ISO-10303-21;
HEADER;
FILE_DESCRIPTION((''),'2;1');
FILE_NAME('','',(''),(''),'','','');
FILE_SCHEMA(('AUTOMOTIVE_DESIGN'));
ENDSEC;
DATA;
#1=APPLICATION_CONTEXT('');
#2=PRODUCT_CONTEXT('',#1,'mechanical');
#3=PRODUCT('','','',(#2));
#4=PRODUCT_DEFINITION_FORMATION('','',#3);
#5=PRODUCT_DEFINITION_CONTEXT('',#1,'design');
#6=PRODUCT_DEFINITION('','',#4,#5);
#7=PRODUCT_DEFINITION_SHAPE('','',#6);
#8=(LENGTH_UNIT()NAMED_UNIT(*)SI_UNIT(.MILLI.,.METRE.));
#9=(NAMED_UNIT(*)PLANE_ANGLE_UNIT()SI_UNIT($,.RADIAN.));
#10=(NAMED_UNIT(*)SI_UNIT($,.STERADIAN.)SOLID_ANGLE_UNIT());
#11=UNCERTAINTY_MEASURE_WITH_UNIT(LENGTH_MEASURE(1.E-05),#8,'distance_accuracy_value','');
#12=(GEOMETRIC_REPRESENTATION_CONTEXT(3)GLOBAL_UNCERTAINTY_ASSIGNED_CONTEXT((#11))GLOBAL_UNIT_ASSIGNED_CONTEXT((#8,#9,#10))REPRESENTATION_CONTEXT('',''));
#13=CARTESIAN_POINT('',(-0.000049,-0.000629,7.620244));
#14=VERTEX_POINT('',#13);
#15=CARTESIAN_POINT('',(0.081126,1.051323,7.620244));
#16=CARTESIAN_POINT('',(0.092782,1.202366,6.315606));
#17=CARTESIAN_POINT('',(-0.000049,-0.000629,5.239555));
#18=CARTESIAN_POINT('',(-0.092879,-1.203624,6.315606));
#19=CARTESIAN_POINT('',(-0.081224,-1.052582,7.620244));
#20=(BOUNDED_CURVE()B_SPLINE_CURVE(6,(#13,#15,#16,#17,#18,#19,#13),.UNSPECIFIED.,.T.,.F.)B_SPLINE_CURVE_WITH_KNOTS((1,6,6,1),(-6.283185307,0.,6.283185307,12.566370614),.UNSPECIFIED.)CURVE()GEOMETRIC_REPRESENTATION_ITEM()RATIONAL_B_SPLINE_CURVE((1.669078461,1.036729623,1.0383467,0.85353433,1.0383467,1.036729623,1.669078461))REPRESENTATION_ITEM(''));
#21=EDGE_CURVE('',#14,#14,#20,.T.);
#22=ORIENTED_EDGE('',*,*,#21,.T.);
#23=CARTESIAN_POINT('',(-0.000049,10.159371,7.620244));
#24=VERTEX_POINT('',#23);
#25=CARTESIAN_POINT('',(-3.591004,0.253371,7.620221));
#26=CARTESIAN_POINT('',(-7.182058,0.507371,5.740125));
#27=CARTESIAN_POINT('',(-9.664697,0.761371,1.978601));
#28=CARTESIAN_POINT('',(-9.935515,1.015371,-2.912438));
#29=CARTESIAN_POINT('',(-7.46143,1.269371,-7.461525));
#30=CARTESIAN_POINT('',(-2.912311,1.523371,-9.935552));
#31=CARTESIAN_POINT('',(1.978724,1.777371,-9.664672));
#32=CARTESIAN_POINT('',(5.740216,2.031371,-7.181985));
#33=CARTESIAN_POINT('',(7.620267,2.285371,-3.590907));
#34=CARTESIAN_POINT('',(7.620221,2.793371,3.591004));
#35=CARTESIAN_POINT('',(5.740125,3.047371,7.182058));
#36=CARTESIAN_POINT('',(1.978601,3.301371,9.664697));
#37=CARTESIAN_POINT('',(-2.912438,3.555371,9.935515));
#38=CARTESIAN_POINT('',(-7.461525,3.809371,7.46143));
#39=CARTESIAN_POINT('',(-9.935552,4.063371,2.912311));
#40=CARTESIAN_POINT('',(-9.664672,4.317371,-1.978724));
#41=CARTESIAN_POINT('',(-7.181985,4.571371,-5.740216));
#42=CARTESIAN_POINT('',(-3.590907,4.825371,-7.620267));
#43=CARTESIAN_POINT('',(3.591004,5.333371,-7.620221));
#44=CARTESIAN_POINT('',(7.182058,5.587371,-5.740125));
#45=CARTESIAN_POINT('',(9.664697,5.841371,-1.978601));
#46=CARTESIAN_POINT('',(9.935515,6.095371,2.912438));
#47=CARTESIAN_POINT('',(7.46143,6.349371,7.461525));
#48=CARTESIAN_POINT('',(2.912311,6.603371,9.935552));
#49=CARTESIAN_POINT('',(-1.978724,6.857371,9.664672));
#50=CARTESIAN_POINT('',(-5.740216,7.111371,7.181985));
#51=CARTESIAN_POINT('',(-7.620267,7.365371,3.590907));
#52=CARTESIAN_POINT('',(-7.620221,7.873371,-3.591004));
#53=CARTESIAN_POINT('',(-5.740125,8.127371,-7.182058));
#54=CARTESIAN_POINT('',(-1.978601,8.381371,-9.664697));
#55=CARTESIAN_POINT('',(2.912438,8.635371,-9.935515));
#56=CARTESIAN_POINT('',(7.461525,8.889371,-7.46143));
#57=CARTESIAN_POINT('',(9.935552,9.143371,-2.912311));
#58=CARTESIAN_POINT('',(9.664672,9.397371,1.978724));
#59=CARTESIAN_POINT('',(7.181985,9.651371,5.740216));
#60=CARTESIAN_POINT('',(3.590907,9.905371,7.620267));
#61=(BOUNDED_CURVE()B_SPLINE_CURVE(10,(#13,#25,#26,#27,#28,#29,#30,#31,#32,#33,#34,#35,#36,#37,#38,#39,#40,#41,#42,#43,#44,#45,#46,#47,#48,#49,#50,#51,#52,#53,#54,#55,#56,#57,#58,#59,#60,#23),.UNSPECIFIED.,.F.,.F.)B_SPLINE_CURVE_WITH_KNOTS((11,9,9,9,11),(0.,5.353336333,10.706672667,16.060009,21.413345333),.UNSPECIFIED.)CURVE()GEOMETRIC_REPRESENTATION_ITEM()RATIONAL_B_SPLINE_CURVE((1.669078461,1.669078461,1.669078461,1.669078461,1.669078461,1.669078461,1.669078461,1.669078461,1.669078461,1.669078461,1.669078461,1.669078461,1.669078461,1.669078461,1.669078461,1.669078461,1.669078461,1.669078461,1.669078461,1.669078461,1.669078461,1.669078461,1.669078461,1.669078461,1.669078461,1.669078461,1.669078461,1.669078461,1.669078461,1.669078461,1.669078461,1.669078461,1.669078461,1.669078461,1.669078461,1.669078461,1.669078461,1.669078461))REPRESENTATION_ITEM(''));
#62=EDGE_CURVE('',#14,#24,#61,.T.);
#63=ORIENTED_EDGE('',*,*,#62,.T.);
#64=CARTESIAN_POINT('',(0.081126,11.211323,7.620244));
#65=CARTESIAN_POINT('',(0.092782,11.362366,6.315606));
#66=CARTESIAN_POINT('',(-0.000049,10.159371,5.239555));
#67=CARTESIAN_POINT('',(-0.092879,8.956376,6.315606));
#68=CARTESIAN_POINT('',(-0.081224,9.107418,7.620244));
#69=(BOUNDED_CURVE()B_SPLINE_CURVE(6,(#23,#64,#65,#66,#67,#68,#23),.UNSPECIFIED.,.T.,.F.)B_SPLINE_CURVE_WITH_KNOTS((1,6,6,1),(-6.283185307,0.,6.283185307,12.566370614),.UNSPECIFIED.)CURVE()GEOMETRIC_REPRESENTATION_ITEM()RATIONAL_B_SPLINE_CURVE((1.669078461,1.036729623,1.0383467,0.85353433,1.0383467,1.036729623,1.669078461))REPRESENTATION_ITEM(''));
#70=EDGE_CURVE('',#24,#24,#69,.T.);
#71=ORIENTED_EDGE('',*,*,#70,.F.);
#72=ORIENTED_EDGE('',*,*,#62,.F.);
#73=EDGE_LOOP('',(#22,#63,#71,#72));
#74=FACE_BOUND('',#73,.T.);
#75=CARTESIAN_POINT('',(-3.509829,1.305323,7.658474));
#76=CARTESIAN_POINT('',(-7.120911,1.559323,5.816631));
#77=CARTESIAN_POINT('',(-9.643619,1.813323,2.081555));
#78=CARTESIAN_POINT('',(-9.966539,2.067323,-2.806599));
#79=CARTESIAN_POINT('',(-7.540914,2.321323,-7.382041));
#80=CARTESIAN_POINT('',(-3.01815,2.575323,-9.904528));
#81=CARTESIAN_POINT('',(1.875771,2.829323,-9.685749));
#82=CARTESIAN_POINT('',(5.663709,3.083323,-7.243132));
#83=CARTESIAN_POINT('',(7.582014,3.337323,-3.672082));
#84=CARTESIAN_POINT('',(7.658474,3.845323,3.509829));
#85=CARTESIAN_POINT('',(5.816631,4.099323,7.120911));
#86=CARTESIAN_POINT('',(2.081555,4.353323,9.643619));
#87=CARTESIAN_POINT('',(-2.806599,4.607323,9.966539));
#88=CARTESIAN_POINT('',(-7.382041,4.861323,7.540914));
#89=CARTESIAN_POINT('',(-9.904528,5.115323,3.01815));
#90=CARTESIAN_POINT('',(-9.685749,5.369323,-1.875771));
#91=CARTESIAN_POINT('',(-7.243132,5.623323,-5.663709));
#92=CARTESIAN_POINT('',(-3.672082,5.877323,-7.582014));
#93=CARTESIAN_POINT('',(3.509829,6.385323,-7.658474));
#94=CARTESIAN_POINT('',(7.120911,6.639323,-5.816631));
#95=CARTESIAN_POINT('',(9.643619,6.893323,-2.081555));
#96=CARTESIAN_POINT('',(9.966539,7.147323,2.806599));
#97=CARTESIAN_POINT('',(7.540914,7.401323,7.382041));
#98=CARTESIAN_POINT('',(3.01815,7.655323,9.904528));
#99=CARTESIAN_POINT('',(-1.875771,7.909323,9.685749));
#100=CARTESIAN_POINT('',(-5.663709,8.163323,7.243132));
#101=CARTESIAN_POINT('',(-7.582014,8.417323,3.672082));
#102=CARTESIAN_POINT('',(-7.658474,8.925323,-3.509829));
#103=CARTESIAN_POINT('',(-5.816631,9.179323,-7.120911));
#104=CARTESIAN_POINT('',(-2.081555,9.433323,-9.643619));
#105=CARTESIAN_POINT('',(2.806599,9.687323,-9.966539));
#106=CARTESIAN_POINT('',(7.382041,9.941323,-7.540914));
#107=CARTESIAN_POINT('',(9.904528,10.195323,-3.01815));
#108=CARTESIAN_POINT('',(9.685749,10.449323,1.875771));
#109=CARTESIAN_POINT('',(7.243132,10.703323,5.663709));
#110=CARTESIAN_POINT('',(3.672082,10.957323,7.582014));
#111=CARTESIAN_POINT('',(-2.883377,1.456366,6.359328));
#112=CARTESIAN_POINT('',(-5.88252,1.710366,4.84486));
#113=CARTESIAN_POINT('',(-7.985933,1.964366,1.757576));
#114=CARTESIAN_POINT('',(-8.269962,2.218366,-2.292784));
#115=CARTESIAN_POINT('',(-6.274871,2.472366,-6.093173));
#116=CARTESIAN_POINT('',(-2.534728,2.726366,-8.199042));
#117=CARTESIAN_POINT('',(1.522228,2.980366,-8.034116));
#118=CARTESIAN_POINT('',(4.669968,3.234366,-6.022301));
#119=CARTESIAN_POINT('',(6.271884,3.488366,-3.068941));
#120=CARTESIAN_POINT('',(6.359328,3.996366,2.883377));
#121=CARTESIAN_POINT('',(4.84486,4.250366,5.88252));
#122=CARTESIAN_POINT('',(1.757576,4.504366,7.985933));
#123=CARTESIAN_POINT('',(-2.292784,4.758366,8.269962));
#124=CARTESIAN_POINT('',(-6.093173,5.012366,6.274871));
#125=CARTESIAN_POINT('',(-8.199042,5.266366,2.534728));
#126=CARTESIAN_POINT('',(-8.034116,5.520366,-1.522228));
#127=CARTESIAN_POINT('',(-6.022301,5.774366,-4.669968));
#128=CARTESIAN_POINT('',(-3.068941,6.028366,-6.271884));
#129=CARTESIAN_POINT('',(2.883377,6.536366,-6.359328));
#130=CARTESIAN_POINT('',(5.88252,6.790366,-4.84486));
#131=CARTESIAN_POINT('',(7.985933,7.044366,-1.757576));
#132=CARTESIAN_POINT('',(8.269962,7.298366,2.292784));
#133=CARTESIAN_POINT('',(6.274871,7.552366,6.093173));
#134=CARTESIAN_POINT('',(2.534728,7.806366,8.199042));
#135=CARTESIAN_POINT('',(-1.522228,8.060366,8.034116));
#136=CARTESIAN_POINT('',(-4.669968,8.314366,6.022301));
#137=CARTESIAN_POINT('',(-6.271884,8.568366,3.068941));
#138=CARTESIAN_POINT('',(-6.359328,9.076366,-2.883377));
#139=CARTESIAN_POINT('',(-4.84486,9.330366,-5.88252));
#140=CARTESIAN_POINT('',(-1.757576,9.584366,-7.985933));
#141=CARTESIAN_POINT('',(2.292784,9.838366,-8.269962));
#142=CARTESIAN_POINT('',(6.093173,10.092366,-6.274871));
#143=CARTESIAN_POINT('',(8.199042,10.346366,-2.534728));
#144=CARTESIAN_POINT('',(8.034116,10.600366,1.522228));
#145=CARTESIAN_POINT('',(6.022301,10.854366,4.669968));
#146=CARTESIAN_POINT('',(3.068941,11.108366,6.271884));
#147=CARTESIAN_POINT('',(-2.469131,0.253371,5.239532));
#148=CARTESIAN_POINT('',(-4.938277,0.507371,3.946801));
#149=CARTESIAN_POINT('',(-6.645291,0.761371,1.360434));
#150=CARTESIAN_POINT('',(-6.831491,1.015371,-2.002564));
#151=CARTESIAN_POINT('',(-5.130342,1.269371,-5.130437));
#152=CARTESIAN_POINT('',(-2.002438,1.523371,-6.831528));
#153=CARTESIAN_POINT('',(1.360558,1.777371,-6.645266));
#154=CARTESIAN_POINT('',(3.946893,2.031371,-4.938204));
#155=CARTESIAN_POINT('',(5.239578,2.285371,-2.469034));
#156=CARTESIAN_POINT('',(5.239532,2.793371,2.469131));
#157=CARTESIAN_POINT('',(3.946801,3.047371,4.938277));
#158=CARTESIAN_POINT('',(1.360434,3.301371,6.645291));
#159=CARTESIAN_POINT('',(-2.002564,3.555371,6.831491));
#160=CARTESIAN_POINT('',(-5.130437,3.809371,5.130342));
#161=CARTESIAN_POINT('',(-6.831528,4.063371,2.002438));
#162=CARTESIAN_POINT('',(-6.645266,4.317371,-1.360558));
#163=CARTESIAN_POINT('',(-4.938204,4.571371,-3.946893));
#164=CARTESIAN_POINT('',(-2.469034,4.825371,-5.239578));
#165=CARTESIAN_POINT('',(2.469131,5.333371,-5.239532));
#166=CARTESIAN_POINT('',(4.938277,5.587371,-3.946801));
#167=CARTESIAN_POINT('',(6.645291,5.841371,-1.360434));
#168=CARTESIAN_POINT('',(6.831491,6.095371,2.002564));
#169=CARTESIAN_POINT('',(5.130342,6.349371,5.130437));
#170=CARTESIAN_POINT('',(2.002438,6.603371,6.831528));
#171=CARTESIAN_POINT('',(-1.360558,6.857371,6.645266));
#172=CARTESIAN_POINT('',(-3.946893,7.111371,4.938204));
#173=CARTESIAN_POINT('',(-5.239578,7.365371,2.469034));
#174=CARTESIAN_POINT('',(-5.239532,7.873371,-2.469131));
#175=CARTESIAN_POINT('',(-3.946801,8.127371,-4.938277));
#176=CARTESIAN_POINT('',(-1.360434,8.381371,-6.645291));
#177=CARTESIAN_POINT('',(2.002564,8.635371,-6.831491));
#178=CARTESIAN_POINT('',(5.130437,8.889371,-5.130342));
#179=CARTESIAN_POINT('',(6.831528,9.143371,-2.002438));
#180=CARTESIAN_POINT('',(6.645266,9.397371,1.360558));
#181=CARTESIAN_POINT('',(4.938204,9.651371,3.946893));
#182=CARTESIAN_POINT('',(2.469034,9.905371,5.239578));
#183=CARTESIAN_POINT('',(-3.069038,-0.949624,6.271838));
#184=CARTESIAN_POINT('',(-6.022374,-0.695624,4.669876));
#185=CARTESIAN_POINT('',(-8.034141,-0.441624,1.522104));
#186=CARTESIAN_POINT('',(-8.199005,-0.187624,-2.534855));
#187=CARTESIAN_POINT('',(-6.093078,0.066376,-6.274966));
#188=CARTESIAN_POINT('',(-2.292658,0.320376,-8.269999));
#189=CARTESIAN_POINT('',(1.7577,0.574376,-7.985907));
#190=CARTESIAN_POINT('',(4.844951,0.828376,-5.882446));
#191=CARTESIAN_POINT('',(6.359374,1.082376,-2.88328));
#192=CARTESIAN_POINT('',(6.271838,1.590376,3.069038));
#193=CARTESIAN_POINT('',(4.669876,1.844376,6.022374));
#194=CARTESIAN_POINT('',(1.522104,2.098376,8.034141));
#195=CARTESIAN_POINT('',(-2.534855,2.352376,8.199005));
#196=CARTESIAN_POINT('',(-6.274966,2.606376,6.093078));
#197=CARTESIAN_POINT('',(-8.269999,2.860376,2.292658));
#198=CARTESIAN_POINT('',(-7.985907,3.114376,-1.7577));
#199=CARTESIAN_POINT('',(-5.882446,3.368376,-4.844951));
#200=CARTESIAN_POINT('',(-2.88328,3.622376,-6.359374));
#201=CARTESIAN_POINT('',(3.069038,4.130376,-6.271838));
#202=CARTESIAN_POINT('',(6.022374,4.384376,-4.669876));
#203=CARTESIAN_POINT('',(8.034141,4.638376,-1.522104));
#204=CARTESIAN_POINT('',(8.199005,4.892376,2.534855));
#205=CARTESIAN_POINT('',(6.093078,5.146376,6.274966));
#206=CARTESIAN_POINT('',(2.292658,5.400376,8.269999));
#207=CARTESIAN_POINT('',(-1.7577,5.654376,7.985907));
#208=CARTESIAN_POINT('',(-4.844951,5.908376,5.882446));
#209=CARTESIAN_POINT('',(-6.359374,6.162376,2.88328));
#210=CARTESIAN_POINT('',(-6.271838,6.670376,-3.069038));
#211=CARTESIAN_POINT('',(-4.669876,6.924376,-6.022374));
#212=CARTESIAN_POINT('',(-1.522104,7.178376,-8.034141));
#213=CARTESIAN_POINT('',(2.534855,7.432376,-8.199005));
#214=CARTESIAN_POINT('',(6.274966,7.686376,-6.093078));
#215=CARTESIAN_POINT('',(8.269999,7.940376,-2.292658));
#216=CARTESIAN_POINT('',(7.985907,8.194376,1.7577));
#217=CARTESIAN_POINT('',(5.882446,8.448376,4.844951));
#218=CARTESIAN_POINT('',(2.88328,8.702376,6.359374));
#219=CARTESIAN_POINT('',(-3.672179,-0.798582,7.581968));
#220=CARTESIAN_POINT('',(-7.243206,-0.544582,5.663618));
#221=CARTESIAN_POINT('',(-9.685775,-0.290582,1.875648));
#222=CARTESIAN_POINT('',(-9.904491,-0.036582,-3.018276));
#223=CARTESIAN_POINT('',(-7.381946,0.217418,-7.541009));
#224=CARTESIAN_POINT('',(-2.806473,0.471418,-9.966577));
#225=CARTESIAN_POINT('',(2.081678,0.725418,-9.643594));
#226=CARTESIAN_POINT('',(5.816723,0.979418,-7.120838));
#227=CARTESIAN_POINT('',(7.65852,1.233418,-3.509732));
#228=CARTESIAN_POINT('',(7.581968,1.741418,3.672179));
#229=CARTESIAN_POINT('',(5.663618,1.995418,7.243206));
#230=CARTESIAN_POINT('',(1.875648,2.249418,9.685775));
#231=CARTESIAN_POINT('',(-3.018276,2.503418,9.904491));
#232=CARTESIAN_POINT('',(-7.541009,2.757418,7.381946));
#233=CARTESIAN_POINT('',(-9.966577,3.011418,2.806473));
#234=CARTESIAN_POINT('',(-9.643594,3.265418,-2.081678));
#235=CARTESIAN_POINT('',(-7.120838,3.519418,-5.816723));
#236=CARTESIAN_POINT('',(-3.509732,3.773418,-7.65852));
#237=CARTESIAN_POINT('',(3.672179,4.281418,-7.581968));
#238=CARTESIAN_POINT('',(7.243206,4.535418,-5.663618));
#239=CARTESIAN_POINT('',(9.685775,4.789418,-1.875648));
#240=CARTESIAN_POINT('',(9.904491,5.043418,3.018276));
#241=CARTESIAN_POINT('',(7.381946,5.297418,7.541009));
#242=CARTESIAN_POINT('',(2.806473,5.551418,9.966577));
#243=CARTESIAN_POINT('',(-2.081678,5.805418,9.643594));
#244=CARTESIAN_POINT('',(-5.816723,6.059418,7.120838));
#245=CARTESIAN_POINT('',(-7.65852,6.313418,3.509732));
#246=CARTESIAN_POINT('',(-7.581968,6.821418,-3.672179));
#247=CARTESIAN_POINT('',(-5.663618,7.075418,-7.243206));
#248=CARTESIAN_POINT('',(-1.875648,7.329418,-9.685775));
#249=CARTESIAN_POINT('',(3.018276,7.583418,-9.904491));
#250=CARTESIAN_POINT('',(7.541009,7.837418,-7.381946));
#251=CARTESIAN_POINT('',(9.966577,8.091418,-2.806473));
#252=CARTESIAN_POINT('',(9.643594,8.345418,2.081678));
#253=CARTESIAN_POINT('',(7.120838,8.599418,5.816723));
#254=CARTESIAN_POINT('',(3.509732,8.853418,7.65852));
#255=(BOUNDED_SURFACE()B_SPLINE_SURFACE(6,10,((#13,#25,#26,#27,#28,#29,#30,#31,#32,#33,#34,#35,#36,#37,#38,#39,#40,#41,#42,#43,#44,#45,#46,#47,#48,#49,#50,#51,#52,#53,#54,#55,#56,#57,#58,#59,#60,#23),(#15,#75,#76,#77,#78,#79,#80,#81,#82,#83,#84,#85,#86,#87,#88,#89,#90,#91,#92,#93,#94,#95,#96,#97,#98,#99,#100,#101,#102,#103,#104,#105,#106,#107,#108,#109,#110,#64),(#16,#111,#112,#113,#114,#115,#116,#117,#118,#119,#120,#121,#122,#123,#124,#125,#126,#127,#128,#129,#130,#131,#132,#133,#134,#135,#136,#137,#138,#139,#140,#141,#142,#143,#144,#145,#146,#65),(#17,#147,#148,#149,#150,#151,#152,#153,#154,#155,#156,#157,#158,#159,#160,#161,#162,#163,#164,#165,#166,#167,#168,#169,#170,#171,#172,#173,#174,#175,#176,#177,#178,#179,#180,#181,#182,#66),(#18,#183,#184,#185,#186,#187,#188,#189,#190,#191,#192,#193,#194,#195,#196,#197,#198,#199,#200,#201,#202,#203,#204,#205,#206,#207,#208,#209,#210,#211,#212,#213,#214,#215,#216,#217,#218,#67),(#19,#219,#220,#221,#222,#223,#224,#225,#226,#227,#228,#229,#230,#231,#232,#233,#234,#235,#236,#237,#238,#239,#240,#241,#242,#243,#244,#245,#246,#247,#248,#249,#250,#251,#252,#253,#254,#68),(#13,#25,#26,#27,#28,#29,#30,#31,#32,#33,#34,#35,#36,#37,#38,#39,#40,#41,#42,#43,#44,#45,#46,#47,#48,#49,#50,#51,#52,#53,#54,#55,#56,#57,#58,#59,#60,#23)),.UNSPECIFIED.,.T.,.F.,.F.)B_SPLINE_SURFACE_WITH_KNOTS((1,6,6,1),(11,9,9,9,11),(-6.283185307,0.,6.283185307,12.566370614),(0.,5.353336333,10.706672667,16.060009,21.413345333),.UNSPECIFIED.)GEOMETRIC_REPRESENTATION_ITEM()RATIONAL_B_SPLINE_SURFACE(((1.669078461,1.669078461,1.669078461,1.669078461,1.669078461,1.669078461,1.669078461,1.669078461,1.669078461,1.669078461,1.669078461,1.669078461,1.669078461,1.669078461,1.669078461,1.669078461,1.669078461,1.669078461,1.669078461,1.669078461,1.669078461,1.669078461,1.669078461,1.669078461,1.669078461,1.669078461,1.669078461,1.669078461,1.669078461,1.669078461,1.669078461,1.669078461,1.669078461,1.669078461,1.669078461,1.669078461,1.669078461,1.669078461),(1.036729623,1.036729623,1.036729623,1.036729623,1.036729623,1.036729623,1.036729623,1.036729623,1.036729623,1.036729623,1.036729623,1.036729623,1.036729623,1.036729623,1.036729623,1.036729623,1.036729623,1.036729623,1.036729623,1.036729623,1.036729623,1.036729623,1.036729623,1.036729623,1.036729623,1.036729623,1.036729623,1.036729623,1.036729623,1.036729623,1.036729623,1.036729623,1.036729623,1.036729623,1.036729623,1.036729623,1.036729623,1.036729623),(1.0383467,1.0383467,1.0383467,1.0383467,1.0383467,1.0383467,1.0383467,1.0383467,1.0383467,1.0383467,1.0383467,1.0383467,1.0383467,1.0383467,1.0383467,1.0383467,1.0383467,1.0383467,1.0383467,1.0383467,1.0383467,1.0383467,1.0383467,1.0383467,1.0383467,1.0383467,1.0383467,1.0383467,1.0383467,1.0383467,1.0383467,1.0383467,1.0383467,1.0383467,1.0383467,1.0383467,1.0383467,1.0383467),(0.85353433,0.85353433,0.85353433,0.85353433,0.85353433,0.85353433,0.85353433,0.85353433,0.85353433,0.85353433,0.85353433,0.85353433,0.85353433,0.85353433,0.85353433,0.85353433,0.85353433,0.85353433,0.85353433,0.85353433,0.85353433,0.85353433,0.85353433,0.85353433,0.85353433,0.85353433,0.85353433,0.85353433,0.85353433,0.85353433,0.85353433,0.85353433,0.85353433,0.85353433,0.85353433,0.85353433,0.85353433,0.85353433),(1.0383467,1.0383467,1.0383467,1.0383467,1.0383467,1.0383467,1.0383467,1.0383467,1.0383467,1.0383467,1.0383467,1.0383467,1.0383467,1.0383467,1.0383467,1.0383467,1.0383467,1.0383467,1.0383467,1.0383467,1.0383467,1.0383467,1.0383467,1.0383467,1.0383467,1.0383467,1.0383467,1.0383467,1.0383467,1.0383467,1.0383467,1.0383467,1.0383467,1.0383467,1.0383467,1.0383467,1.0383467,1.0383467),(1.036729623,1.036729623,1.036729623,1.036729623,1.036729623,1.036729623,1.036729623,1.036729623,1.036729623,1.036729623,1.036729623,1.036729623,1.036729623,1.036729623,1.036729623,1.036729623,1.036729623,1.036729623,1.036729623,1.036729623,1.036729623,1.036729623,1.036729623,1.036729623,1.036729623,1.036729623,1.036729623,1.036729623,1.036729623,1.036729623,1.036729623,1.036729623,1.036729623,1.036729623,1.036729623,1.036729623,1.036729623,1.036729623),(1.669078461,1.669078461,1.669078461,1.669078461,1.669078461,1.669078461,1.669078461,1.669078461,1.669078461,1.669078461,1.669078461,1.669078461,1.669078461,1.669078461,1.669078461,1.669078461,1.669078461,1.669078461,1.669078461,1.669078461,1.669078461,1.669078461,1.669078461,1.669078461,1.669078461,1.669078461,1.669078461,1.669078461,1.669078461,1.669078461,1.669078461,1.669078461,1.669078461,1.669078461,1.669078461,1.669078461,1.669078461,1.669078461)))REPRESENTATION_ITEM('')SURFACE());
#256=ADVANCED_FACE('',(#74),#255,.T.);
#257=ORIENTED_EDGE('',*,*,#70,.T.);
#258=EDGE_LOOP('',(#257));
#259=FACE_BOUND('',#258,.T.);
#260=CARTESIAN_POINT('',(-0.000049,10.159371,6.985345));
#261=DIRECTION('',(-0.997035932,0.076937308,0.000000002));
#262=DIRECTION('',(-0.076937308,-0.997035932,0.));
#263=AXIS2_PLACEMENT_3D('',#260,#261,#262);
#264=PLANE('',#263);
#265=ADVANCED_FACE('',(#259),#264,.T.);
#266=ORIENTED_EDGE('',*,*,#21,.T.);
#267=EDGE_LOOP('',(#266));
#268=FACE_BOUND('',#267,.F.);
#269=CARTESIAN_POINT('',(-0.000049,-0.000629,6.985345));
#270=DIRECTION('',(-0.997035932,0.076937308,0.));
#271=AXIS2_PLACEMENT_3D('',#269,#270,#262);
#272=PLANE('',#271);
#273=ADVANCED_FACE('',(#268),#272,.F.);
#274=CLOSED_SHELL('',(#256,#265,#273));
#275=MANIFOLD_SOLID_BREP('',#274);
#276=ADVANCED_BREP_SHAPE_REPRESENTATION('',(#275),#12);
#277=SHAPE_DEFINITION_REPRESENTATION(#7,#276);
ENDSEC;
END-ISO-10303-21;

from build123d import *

# Parameters (mm, degrees)
BASE_SWEEP_PITCH  = 3.386666667
BASE_SWEEP_HEIGHT = 10.16
BASE_SWEEP_RADIUS = 6.985
SKETCH2_R         = 0.635


with BuildPart() as part:
    # Base-Sweep: sweep along a helix
    with BuildLine() as base_sweep_path:
        Helix(BASE_SWEEP_PITCH, BASE_SWEEP_HEIGHT, BASE_SWEEP_RADIUS, center=(0, 0, 0), direction=(0, 1, 0), lefthand=True)
    # Sketch2 → Base-Sweep (sweep)
    with BuildSketch(Plane(origin=(0, 0, 6.985), x_dir=(0, 0, 1), z_dir=(-0.9970359324951348, 0.07693730768331519, 0))):
        with Locations((0.000244134, -0.000631037)):
            Circle(SKETCH2_R)
    sweep(path=base_sweep_path.line, is_frenet=True)


solid = part.part
